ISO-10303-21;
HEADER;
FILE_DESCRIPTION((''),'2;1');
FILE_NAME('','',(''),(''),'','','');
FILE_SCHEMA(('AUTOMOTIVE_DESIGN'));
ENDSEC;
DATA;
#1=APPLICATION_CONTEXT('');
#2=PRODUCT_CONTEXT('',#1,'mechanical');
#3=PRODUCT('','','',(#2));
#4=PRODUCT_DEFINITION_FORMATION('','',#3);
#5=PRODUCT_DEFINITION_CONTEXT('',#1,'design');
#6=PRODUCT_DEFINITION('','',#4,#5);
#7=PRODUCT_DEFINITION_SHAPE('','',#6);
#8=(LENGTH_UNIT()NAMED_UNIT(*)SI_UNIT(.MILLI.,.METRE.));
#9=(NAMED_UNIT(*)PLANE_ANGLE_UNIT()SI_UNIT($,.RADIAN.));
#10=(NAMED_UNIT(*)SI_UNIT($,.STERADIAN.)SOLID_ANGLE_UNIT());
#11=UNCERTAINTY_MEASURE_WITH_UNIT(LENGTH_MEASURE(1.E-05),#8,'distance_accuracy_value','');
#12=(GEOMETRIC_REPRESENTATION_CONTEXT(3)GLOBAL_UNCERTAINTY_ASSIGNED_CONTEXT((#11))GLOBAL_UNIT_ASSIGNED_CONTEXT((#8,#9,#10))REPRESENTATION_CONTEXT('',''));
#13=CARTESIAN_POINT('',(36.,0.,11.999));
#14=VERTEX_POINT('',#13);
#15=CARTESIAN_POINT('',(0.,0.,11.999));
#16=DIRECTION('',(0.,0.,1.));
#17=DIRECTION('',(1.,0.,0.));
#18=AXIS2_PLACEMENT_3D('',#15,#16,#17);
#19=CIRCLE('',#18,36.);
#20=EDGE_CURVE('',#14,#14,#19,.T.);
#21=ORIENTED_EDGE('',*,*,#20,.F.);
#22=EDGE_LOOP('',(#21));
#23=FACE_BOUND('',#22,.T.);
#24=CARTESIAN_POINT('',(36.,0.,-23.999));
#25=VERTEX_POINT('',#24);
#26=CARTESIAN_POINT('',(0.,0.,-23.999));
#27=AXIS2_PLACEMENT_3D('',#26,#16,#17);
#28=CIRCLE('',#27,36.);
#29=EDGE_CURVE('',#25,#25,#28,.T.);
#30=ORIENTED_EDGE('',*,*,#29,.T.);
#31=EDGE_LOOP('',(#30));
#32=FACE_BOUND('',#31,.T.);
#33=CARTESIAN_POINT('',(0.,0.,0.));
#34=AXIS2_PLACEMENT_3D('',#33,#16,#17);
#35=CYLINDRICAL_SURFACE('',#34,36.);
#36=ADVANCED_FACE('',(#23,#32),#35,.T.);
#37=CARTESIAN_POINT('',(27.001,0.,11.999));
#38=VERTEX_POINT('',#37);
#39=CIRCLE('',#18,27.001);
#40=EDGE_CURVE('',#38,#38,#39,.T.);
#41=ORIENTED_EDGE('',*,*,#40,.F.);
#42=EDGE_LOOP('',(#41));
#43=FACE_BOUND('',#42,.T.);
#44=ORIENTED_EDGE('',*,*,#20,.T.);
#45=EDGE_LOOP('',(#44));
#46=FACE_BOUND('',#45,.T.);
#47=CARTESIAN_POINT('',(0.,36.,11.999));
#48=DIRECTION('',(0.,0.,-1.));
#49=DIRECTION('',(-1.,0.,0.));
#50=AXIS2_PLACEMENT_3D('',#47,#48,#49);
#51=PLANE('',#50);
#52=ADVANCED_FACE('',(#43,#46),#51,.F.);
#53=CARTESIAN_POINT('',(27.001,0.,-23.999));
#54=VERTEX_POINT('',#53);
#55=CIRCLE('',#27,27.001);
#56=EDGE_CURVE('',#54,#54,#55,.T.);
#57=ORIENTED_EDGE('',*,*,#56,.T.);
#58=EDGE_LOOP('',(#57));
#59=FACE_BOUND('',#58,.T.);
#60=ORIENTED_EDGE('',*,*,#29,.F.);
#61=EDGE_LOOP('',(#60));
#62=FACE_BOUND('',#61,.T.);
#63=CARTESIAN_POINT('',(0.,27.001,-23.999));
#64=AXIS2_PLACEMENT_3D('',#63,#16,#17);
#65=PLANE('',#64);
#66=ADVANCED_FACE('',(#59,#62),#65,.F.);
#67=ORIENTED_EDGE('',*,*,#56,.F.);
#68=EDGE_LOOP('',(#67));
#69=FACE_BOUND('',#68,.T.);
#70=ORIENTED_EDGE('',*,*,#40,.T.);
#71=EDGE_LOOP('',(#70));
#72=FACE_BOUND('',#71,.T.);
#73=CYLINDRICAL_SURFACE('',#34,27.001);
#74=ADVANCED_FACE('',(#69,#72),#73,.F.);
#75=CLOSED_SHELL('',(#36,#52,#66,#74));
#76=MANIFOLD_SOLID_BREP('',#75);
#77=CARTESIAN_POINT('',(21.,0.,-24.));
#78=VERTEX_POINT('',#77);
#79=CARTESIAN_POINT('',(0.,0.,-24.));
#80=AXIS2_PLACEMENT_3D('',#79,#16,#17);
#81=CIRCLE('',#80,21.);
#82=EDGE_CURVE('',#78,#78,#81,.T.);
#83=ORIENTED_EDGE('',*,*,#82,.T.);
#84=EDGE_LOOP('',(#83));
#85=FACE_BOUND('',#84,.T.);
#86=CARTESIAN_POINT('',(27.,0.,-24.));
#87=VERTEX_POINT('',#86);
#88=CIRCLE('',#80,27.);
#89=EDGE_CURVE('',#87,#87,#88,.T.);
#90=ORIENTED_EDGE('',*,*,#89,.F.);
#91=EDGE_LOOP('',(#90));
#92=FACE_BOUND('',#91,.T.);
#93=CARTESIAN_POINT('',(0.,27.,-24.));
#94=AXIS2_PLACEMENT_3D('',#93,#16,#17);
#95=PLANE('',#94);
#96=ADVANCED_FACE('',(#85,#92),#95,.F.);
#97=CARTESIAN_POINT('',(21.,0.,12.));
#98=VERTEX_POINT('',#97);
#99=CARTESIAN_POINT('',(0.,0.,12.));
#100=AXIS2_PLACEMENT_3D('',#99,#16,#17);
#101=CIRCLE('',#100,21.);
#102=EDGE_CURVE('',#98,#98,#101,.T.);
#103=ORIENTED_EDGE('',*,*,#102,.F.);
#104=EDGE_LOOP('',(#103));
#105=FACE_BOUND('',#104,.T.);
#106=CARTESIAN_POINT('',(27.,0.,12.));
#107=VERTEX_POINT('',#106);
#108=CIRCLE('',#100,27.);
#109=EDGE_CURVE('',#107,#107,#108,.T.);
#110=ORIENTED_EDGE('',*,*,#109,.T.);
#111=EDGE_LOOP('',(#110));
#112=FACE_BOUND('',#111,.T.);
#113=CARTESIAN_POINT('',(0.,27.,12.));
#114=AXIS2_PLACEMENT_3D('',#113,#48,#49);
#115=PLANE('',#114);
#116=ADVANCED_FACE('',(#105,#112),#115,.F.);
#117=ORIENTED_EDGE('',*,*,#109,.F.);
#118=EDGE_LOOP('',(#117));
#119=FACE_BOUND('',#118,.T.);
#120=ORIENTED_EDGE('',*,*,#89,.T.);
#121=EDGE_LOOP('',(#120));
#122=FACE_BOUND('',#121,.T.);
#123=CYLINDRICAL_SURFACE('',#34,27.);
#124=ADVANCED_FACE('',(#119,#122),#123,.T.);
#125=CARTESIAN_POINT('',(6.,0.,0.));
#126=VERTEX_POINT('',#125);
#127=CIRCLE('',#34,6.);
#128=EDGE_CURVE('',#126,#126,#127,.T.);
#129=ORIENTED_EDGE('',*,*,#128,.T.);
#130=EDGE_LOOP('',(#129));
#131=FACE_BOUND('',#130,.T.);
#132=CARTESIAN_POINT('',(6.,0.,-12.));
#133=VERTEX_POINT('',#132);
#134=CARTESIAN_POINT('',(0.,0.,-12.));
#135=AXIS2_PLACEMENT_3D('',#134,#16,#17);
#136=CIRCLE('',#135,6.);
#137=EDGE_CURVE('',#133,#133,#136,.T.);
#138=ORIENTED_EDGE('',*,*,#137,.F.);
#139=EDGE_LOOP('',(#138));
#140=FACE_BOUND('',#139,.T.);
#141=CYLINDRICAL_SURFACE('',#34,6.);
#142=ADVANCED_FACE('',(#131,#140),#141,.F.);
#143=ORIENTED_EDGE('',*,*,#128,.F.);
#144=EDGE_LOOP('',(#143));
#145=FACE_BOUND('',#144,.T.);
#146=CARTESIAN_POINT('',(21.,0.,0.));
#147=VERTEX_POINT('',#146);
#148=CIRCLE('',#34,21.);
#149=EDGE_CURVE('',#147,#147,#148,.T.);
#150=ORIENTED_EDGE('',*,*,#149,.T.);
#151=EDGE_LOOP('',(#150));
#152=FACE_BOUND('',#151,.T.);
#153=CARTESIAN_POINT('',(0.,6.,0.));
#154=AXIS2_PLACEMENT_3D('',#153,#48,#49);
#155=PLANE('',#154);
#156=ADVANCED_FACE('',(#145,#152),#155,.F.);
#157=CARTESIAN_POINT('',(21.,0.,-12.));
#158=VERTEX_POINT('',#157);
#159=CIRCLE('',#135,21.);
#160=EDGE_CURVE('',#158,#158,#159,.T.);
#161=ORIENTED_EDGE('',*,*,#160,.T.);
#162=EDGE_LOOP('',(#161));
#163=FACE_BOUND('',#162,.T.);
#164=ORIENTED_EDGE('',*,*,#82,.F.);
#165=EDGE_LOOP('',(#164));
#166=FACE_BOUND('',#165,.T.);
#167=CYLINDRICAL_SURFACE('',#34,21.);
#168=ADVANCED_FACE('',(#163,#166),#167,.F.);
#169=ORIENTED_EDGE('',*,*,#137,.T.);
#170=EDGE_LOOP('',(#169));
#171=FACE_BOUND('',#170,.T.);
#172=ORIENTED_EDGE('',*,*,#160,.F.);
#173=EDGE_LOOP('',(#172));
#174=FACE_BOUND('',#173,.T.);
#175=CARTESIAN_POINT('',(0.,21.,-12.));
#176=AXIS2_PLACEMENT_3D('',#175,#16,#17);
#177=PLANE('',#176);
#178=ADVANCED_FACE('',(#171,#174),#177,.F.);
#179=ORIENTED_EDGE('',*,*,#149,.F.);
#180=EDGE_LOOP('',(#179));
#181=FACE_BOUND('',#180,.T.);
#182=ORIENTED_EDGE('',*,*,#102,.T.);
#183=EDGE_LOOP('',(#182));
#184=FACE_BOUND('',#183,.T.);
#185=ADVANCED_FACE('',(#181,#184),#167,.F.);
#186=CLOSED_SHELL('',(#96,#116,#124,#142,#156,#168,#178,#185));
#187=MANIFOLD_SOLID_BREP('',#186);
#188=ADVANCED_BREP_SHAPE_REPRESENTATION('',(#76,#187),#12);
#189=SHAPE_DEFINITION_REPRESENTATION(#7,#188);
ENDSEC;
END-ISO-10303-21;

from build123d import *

# Parameters (mm, degrees)
SKETCH3_W = 35.998
SKETCH3_H = 8.999


with BuildPart() as part:
    # Sketch1 → Revolve1 (revolve)
    with BuildSketch(Plane(origin=(0, 0, 0), x_dir=(0, 0, -1), z_dir=(1, 0, 0)), mode=Mode.PRIVATE) as revolve1_sk:
        Polygon((0, 6), (0, 21), (-12, 21), (-12, 27), (24, 27), (24, 21), (12, 21), (12, 6), align=None)
    revolve(revolve1_sk.sketch.rotate(Axis((0, 0, 0), (0, 0, -1)), 90), axis=Axis((0, 0, 0), (0, 0, -1)))


with BuildPart() as body_2:
    # Sketch3 → Revolve2 (revolve)
    with BuildSketch(Plane(origin=(0, 0, 0), x_dir=(0, 0, -1), z_dir=(1, 0, 0)), mode=Mode.PRIVATE) as revolve2_sk:
        with Locations((6, 31.5005)):
            Rectangle(SKETCH3_W, SKETCH3_H)
    revolve(revolve2_sk.sketch.rotate(Axis((0, 0, 0), (0, 0, -1)), 90), axis=Axis((0, 0, 0), (0, 0, -1)))


solid = Compound([part.part, body_2.part])
